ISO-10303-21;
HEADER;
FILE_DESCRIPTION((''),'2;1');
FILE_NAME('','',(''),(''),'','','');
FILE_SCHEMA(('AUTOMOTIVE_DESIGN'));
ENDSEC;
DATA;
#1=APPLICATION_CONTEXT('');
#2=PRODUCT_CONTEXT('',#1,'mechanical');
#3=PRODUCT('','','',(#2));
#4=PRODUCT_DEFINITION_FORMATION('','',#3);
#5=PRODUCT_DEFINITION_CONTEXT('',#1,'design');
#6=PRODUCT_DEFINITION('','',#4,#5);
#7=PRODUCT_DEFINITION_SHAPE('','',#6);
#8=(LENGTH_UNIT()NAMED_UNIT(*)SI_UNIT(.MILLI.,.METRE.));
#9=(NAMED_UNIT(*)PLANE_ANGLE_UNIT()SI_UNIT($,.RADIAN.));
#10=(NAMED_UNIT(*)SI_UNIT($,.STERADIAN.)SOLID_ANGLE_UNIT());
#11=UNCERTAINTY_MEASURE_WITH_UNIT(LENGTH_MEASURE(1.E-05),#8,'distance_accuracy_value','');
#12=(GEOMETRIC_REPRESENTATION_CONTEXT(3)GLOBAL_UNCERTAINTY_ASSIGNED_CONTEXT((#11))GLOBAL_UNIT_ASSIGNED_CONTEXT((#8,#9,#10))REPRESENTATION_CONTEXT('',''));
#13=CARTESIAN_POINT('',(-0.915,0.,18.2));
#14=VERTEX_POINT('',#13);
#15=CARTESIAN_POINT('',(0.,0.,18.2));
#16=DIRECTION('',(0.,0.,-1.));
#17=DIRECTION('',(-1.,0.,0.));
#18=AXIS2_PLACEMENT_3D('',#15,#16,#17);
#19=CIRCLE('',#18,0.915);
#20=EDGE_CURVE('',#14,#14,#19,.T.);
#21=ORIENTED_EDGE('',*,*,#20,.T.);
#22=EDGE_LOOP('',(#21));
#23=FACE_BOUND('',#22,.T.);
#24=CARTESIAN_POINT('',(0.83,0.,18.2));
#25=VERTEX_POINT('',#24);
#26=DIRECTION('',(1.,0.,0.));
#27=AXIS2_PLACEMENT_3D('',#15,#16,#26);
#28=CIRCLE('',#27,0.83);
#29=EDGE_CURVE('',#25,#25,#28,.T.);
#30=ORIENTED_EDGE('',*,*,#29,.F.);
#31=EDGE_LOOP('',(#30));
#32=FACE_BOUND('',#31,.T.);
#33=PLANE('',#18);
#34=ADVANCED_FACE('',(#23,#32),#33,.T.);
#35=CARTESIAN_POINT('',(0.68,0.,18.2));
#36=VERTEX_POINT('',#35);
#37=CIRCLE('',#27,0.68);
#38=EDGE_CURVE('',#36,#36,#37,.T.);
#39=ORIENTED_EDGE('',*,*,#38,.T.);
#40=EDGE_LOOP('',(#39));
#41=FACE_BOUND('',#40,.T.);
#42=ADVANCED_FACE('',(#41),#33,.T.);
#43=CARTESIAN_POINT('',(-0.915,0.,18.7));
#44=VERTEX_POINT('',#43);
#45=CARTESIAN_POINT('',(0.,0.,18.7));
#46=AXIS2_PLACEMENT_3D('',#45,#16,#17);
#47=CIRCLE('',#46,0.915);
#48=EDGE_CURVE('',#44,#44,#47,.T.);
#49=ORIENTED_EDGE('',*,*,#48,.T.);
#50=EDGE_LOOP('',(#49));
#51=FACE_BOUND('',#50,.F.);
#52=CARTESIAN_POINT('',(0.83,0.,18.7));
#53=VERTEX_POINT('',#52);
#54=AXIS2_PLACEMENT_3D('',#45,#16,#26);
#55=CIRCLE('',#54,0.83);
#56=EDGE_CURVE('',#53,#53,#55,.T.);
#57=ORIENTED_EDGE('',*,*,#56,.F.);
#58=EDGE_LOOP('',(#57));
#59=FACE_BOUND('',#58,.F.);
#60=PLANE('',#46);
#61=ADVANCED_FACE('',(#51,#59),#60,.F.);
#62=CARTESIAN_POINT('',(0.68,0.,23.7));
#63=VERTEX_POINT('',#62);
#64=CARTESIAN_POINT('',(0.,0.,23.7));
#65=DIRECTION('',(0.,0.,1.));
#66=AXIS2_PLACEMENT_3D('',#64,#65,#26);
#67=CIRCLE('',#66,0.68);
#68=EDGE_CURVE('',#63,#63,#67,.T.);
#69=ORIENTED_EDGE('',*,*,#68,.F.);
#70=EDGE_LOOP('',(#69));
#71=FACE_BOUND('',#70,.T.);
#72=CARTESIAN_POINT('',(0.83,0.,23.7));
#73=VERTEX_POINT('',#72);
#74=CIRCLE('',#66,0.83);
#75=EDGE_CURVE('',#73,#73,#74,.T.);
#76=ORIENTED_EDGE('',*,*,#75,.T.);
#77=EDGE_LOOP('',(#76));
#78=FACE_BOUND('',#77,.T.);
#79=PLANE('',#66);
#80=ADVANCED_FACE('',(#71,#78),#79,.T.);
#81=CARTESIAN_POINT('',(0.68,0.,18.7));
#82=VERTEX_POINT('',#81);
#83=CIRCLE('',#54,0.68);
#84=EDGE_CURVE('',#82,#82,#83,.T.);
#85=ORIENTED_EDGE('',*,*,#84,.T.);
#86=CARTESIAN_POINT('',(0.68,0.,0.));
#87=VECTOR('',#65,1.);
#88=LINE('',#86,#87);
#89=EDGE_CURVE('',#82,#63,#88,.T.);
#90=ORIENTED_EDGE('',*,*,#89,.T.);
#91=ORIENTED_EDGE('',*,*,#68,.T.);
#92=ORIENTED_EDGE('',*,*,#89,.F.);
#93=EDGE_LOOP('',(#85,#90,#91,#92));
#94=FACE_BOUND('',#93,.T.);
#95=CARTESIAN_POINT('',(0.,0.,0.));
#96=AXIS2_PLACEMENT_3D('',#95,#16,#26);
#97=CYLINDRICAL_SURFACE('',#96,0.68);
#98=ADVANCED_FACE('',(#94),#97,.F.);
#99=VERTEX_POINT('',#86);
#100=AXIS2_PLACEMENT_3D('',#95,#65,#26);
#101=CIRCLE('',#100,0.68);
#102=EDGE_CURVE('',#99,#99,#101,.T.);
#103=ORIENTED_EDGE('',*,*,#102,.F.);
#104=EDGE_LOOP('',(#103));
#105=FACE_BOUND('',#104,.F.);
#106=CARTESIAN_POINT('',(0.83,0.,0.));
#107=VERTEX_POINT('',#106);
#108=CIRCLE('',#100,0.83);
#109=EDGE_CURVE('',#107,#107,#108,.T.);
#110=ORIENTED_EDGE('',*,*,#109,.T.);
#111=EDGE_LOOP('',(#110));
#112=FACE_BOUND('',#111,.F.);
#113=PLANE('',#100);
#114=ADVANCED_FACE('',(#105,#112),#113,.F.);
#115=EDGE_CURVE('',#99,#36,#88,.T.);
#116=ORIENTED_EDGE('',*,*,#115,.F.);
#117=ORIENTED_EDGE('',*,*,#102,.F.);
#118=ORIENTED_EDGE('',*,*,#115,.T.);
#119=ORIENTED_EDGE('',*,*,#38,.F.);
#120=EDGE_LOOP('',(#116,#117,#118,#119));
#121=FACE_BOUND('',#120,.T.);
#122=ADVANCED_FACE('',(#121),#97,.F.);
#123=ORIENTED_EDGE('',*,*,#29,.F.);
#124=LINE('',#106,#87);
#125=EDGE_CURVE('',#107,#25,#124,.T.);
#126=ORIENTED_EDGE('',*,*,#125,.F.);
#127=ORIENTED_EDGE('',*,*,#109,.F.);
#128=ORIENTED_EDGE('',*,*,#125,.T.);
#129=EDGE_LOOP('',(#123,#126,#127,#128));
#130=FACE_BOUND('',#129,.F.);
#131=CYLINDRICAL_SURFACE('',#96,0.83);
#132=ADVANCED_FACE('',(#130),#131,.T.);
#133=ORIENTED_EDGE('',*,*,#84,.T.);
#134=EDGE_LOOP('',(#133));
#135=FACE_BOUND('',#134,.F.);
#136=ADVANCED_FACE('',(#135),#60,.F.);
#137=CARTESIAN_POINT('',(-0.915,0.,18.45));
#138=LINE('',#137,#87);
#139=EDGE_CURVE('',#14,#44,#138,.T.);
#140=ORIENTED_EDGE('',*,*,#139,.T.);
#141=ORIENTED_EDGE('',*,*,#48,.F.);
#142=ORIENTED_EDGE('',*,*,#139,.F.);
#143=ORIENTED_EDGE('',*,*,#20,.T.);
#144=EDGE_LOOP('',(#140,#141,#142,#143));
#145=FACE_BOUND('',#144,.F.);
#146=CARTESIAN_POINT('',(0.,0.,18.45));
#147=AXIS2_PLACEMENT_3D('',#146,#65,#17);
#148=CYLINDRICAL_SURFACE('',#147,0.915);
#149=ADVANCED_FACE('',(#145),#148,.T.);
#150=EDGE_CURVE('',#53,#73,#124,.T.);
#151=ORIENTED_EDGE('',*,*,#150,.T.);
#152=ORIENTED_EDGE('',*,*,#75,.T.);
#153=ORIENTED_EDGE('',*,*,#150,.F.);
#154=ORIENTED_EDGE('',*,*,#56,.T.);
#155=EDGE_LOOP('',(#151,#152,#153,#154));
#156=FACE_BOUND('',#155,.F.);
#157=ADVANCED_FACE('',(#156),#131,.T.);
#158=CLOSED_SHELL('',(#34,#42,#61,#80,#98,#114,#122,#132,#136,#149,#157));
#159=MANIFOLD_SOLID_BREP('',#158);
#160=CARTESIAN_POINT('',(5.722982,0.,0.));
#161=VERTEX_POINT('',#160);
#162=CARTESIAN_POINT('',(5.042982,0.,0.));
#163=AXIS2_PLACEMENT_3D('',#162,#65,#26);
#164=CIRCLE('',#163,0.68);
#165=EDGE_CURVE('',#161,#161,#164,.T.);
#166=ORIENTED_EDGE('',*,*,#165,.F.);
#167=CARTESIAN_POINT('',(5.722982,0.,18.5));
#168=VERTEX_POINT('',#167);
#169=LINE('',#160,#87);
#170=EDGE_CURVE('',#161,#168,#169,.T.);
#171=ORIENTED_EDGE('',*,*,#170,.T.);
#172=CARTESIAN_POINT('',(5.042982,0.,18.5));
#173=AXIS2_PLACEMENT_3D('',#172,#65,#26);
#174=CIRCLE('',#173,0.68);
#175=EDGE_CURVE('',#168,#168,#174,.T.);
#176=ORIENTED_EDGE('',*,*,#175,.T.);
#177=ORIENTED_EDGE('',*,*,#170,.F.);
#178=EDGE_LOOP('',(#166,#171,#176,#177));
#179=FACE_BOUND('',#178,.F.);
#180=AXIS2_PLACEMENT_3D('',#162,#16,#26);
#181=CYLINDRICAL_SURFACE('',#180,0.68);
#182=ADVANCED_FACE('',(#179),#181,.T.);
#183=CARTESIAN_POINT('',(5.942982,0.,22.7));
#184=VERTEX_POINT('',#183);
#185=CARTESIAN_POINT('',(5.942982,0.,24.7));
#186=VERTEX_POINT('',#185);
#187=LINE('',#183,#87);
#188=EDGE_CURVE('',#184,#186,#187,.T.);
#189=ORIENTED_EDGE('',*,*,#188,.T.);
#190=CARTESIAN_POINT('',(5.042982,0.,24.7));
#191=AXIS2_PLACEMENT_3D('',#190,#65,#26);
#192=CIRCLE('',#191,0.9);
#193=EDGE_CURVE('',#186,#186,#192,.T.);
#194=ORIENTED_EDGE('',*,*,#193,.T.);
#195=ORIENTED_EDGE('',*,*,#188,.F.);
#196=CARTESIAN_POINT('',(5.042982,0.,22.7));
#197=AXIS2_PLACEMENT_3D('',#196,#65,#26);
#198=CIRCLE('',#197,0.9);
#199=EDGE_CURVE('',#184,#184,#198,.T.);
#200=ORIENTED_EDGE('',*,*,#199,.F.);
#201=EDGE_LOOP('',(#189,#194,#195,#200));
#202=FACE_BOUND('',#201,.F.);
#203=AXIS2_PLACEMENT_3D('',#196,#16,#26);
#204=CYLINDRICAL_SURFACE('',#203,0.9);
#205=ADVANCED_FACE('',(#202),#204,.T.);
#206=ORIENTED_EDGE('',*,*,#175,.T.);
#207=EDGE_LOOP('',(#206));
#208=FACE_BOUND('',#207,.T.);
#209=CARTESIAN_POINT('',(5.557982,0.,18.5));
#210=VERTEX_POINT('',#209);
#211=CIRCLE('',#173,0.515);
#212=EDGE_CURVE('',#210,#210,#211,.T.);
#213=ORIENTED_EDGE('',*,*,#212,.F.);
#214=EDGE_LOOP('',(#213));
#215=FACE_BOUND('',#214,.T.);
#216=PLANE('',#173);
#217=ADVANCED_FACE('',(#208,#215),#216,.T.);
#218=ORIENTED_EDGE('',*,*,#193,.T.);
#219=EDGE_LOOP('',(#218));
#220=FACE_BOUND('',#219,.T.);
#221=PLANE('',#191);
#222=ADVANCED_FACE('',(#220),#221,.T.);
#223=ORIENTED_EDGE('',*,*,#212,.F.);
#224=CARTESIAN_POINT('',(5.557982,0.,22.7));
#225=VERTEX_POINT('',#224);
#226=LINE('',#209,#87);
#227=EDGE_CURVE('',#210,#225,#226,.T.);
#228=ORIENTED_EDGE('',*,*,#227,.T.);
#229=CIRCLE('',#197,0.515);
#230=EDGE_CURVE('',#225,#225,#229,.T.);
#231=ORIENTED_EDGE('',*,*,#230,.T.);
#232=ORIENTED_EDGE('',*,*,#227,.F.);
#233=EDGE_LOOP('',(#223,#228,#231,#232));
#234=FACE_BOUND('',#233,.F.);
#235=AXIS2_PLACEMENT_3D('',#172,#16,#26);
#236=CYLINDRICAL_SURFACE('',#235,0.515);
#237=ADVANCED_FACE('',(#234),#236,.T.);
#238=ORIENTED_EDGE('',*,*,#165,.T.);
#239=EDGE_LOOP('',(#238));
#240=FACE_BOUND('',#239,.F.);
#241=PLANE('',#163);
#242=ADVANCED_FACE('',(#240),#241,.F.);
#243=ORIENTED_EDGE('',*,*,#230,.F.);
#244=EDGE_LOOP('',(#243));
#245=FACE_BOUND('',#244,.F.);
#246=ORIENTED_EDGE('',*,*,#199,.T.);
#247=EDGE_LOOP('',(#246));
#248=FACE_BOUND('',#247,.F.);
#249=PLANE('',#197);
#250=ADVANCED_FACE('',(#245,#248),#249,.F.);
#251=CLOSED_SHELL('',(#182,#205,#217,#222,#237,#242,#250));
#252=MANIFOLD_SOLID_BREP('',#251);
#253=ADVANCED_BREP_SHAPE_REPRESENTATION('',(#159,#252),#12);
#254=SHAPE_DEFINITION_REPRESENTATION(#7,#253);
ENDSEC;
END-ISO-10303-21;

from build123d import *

# Parameters (mm, degrees)
F0_R     = 0.83
F0_R_2   = 0.68
F1_DEPTH = 23.7
F2_R     = 0.68
F3_DEPTH = 18.5
F4_R     = 0.515
F5_DEPTH = 4.2
F6_R     = 0.9
F7_DEPTH = 2
F8_W     = 0.915
F8_H     = 0.5


with BuildPart() as f1:
    # F0 (on Top) → F1 (new body)
    with BuildSketch(Plane.XY):
        Circle(F0_R)
        Circle(F0_R_2, mode=Mode.SUBTRACT)
    extrude(amount=F1_DEPTH)

    # F8 (on Front) → F9 (revolve)
    with BuildSketch(Plane.XZ):
        with Locations((-0.4575, 18.45)):
            Rectangle(F8_W, F8_H)
    revolve(axis=Axis((0, 0, 18.45), (0, 0, -1)))


with BuildPart() as f3:
    # F2 (on Top) → F3 (new body)
    with BuildSketch(Plane.XY):
        with Locations((5.042982, 0)):
            Circle(F2_R)
    extrude(amount=F3_DEPTH)

    # F4 (on face) → F5 (join)
    with BuildSketch(Plane.XY.offset(18.5)):
        with Locations((5.042982, 0)):
            Circle(F4_R)
    extrude(amount=F5_DEPTH)

    # F6 (on face) → F7 (join)
    with BuildSketch(Plane.XY.offset(22.7)):
        with Locations((5.042982, 0)):
            Circle(F6_R)
    extrude(amount=F7_DEPTH)


solid = Compound([f1.part, f3.part])
